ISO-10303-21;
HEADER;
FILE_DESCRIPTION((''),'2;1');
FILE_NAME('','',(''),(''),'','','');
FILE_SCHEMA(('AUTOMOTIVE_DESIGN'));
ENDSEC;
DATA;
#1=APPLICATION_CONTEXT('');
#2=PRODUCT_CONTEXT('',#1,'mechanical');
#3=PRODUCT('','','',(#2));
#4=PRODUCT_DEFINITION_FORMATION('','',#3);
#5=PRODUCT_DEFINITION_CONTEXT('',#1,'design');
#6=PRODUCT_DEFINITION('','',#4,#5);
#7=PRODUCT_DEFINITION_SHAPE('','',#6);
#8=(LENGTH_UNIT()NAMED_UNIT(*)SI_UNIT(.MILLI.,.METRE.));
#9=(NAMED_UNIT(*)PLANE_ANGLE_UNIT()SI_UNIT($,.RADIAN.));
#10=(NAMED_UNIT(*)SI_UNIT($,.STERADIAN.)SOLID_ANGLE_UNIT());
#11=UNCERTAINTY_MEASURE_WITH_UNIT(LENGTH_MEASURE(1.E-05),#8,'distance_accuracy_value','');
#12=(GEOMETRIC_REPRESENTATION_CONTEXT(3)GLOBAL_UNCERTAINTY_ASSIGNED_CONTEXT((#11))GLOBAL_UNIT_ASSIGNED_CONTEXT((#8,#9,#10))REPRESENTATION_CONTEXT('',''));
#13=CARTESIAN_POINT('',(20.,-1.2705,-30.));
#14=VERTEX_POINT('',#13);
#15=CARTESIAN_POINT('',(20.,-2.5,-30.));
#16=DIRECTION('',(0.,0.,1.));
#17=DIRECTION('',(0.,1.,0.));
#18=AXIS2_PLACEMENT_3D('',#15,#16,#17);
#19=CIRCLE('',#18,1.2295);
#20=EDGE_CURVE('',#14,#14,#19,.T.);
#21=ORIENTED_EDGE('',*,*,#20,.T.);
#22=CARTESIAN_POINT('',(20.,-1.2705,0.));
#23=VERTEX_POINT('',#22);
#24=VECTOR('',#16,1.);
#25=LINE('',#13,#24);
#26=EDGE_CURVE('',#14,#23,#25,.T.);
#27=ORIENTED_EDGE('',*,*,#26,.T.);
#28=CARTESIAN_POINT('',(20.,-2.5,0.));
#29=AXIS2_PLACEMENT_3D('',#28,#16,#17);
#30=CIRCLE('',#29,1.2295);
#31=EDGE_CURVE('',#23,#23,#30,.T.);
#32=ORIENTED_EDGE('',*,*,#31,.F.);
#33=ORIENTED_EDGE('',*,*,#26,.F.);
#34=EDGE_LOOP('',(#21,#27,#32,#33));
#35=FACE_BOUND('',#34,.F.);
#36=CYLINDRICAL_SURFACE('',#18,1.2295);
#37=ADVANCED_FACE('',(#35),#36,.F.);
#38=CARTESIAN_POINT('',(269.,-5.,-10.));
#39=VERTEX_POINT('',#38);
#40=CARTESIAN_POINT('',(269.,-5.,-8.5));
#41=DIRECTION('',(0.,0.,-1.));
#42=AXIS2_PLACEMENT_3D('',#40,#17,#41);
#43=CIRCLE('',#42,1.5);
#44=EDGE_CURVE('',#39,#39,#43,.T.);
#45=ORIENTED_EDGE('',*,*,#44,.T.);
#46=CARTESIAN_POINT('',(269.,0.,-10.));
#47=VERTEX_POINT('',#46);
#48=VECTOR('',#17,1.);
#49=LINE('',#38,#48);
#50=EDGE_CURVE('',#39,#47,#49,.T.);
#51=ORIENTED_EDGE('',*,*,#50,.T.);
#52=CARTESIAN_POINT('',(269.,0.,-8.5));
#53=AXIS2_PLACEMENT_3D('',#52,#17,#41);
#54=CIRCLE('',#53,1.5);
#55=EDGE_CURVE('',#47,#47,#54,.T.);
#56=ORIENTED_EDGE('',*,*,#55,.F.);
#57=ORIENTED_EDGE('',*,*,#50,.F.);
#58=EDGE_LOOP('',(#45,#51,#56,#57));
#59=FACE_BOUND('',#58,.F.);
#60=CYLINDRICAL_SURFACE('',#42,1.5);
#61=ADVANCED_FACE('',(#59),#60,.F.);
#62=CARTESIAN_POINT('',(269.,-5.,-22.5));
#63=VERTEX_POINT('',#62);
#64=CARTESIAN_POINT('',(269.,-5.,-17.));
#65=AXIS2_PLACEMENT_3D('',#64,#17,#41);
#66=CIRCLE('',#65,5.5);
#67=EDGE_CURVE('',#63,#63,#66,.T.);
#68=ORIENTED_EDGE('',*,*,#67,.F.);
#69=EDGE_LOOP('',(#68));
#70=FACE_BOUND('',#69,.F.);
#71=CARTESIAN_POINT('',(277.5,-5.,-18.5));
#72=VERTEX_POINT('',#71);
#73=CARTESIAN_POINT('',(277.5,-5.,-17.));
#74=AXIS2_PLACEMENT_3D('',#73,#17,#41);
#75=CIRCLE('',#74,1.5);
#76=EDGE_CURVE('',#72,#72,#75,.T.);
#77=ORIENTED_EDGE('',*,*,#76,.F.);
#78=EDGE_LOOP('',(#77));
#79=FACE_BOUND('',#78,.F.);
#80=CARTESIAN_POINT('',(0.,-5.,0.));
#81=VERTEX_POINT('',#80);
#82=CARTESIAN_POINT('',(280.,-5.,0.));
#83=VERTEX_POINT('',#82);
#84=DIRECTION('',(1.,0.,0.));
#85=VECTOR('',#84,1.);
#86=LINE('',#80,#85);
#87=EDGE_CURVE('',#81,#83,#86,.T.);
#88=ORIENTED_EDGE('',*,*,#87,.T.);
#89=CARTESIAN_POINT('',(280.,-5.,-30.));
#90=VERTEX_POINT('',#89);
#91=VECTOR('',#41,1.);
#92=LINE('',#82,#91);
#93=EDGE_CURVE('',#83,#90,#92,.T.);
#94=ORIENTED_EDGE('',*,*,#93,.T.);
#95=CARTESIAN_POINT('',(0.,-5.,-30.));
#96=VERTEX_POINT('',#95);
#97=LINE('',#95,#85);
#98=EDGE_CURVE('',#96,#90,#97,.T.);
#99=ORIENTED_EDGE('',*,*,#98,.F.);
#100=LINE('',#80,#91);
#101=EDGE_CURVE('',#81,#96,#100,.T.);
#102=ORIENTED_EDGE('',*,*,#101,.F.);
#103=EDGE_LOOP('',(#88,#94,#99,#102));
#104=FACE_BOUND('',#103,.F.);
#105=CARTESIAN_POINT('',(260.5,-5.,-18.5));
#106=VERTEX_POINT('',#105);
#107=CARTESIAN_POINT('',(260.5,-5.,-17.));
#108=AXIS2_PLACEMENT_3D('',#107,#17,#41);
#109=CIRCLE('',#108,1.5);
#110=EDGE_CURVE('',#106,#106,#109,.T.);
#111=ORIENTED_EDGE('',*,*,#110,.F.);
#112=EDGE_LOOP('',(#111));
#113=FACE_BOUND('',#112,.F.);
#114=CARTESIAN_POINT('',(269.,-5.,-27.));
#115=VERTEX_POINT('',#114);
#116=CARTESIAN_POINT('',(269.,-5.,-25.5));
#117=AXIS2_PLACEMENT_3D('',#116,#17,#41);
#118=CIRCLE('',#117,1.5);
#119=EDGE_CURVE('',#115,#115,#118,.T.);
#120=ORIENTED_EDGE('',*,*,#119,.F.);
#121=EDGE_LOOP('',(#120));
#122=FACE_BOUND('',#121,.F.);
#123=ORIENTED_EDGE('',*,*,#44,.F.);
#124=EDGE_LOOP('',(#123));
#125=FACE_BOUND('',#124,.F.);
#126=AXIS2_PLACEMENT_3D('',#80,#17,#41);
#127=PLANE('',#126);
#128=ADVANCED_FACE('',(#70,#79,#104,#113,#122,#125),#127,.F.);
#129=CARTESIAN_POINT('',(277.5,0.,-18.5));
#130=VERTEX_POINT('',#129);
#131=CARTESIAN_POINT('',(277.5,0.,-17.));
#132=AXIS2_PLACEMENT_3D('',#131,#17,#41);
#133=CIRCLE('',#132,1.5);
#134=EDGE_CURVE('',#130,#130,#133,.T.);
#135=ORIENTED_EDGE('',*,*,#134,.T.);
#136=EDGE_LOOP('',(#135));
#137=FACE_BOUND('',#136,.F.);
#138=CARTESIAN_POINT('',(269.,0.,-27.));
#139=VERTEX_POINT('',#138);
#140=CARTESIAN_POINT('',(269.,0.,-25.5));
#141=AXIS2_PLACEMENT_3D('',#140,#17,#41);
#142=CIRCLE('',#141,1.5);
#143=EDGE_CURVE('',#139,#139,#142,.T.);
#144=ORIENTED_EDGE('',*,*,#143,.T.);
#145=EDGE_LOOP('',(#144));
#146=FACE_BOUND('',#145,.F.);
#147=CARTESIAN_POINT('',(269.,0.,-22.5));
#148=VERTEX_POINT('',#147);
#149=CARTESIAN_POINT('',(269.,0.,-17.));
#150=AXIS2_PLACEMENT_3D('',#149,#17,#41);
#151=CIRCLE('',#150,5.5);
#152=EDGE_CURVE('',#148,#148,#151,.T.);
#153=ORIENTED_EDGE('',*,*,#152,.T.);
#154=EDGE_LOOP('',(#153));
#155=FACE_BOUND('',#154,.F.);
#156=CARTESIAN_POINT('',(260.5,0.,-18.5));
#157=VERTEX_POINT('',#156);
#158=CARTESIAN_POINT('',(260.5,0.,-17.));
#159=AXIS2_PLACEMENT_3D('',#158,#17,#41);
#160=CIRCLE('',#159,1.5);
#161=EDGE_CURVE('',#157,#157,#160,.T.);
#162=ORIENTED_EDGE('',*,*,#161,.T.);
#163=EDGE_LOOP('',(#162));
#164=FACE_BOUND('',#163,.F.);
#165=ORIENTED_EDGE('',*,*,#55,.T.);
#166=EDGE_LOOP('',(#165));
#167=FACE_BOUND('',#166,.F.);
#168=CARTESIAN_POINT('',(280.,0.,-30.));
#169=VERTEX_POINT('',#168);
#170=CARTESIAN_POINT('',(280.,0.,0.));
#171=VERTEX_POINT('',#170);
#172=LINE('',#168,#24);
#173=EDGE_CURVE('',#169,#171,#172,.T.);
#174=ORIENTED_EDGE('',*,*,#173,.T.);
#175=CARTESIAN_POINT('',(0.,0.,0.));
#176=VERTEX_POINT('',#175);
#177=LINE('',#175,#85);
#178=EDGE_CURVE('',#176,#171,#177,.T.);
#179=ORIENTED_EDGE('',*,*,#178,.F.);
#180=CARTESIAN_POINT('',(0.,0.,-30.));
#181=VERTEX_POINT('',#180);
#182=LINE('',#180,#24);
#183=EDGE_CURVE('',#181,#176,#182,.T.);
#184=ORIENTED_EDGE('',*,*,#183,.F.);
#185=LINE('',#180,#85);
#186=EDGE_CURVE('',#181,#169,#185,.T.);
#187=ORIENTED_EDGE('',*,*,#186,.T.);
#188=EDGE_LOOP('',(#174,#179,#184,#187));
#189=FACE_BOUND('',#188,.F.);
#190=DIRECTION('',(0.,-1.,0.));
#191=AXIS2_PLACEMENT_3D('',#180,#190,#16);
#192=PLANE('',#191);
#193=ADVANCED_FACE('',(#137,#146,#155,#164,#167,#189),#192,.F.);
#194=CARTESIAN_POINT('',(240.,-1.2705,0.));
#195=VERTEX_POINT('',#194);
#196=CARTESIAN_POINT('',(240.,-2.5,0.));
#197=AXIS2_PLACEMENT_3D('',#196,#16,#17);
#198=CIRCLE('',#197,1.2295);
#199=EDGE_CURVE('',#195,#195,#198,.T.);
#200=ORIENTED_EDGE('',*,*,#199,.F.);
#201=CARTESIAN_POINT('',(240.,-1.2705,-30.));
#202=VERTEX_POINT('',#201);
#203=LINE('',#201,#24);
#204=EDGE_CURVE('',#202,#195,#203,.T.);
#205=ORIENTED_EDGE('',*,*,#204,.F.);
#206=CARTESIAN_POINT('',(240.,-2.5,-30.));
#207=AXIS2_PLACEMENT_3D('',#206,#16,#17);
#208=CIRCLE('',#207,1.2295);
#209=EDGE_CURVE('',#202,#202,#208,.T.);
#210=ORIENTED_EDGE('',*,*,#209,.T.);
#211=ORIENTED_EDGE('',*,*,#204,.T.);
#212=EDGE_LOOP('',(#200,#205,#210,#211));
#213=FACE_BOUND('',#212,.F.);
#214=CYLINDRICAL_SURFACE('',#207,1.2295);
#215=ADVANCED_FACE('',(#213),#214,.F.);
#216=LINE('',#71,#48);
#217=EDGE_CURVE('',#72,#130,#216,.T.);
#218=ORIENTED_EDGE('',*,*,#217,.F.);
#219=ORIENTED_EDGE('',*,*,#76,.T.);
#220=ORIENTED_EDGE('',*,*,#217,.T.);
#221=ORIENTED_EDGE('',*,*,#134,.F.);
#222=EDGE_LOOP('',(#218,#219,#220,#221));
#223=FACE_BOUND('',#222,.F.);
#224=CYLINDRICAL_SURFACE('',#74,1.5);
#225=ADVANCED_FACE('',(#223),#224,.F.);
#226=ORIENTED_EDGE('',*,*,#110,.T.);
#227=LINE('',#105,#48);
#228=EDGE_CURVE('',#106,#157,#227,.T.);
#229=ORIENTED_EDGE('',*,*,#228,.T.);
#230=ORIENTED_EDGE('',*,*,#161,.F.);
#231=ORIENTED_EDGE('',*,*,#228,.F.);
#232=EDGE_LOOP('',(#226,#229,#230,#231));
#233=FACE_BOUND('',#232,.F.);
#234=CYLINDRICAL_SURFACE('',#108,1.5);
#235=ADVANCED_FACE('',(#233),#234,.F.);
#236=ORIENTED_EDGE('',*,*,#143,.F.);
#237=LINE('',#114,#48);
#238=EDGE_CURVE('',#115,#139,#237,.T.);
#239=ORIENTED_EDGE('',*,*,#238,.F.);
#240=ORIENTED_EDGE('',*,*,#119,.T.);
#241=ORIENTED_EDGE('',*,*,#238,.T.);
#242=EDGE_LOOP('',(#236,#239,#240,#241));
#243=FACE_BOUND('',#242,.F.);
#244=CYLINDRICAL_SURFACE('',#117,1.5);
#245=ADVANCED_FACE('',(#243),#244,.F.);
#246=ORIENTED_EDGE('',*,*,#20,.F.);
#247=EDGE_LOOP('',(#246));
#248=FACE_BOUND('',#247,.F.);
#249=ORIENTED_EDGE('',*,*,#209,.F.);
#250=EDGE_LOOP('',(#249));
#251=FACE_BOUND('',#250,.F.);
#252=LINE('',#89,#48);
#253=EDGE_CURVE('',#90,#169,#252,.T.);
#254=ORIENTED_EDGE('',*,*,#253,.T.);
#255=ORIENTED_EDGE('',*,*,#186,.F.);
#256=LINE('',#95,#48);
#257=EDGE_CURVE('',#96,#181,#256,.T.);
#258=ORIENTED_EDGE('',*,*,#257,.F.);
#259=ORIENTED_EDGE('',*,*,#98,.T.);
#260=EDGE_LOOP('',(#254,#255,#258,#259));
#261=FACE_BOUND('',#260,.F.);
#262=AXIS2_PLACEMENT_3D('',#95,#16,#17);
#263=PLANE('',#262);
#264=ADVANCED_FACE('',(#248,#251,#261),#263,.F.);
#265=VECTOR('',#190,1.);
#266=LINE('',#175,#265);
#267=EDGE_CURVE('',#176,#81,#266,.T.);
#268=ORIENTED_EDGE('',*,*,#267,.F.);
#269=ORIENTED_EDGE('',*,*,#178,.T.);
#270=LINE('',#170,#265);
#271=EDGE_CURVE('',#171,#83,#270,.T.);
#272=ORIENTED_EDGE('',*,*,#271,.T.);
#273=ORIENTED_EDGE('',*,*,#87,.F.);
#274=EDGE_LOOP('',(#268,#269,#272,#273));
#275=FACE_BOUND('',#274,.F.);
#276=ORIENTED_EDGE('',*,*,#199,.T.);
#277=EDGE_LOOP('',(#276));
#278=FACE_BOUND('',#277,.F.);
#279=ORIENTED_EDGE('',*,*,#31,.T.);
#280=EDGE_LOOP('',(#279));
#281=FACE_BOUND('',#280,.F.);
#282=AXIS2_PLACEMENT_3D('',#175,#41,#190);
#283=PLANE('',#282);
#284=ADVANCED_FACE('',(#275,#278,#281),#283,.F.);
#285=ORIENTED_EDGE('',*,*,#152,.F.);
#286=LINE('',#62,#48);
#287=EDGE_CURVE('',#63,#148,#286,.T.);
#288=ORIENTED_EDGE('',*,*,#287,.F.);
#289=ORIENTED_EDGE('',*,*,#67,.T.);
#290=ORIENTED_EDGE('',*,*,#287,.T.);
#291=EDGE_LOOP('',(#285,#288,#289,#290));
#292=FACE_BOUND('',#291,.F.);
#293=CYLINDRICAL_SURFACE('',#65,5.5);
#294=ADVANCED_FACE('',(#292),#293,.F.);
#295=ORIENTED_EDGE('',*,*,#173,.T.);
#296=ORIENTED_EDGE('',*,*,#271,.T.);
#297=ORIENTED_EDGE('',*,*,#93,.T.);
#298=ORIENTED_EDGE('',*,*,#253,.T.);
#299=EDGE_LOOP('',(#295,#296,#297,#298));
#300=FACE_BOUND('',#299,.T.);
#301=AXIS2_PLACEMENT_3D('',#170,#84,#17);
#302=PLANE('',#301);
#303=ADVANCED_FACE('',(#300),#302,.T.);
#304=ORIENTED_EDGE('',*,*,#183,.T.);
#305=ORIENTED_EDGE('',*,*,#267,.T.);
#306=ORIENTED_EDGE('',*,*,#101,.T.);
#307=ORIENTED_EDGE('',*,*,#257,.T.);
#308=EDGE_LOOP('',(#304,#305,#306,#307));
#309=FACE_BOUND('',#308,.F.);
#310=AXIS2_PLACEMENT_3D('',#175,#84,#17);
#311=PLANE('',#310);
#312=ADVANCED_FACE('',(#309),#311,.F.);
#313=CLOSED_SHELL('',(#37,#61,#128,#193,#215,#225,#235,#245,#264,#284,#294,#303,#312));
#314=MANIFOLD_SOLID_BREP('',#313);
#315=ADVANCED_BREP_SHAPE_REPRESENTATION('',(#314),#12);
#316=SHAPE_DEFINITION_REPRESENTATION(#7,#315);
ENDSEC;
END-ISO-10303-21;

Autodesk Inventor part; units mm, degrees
ref_plane "YZ Plane" through (0, 0, 0) normal (1, 0, 0) x (0, 1, 0)
ref_plane "XZ Plane" through (0, 0, 0) normal (0, 1, 0) x (-1, 0, 0)
ref_plane "XY Plane" through (0, 0, 0) normal (0, 0, 1) x (1, 0, 0)
sketch "スケッチ1" plane through (0, 0, 0) normal (1, 0, 0) x (0, 1, 0)
  line L0 (0, 0) -> (-5, 0)
  line L1 (-5, 0) -> (-5, -30)
  line L2 (-5, -30) -> (0, -30)
  line L3 (0, -30) -> (0, 0)
  dimension "d0" = 30
  dimension "d1" = 5
extrude "押し出し1" add sketch "スケッチ1" along normal blind 280
sketch "スケッチ2" plane through (0, -5, -30) normal (0, -1, 0) x (1, 0, 0)
  line L0 (280, 30) -> (280, 0) projected
  line L1 (0, 0) -> (280, 0) projected
  point P0 (0, 30)
  point P1 (269, 13)
  dimension "d4" = 11
  dimension "d12" = 13
hole "穴1" at (269, -5, -17) direction (0, 1, 0) diameter 11 end through all
sketch "スケッチ4" plane through (280, 0, -30) normal (0, 0, -1) x (-1, 0, 0)
  line L0 (280, 0) -> (0, 0) projected
  line L1 (280, -5) -> (280, 0) projected
  point P0 (260, -2.5)
  point P1 (40, -2.5)
  dimension "d27" = 2.5
  dimension "d28" = 20
  dimension "d36" = 220
hole "穴3" at (20, -2.5, -30) at (240, -2.5, -30) direction (0, 0, 1) diameter 2.459 end through all thread size "M3x0.5" class "6H" standard "ANSI Metric M Profile"
sketch "スケッチ5" plane through (0, -5, -30) normal (0, -1, 0) x (1, 0, 0)
  circle A0 centre (269, 13) radius 5.5 projected
  point P0 (0, 30)
  point P1 (269, 4.5)
  point P2 (277.5, 13)
  point P3 (269, 21.5)
  point P4 (260.5, 13)
  dimension "d39" = 360
  dimension "d41" = 8.5
hole "穴4" at (269, -5, -25.5) at (277.5, -5, -17) at (269, -5, -8.5) at (260.5, -5, -17) direction (0, 1, 0) diameter 3 end through all
properties part number "横長2ndフラットバー" material "アルミニウム 6061"
